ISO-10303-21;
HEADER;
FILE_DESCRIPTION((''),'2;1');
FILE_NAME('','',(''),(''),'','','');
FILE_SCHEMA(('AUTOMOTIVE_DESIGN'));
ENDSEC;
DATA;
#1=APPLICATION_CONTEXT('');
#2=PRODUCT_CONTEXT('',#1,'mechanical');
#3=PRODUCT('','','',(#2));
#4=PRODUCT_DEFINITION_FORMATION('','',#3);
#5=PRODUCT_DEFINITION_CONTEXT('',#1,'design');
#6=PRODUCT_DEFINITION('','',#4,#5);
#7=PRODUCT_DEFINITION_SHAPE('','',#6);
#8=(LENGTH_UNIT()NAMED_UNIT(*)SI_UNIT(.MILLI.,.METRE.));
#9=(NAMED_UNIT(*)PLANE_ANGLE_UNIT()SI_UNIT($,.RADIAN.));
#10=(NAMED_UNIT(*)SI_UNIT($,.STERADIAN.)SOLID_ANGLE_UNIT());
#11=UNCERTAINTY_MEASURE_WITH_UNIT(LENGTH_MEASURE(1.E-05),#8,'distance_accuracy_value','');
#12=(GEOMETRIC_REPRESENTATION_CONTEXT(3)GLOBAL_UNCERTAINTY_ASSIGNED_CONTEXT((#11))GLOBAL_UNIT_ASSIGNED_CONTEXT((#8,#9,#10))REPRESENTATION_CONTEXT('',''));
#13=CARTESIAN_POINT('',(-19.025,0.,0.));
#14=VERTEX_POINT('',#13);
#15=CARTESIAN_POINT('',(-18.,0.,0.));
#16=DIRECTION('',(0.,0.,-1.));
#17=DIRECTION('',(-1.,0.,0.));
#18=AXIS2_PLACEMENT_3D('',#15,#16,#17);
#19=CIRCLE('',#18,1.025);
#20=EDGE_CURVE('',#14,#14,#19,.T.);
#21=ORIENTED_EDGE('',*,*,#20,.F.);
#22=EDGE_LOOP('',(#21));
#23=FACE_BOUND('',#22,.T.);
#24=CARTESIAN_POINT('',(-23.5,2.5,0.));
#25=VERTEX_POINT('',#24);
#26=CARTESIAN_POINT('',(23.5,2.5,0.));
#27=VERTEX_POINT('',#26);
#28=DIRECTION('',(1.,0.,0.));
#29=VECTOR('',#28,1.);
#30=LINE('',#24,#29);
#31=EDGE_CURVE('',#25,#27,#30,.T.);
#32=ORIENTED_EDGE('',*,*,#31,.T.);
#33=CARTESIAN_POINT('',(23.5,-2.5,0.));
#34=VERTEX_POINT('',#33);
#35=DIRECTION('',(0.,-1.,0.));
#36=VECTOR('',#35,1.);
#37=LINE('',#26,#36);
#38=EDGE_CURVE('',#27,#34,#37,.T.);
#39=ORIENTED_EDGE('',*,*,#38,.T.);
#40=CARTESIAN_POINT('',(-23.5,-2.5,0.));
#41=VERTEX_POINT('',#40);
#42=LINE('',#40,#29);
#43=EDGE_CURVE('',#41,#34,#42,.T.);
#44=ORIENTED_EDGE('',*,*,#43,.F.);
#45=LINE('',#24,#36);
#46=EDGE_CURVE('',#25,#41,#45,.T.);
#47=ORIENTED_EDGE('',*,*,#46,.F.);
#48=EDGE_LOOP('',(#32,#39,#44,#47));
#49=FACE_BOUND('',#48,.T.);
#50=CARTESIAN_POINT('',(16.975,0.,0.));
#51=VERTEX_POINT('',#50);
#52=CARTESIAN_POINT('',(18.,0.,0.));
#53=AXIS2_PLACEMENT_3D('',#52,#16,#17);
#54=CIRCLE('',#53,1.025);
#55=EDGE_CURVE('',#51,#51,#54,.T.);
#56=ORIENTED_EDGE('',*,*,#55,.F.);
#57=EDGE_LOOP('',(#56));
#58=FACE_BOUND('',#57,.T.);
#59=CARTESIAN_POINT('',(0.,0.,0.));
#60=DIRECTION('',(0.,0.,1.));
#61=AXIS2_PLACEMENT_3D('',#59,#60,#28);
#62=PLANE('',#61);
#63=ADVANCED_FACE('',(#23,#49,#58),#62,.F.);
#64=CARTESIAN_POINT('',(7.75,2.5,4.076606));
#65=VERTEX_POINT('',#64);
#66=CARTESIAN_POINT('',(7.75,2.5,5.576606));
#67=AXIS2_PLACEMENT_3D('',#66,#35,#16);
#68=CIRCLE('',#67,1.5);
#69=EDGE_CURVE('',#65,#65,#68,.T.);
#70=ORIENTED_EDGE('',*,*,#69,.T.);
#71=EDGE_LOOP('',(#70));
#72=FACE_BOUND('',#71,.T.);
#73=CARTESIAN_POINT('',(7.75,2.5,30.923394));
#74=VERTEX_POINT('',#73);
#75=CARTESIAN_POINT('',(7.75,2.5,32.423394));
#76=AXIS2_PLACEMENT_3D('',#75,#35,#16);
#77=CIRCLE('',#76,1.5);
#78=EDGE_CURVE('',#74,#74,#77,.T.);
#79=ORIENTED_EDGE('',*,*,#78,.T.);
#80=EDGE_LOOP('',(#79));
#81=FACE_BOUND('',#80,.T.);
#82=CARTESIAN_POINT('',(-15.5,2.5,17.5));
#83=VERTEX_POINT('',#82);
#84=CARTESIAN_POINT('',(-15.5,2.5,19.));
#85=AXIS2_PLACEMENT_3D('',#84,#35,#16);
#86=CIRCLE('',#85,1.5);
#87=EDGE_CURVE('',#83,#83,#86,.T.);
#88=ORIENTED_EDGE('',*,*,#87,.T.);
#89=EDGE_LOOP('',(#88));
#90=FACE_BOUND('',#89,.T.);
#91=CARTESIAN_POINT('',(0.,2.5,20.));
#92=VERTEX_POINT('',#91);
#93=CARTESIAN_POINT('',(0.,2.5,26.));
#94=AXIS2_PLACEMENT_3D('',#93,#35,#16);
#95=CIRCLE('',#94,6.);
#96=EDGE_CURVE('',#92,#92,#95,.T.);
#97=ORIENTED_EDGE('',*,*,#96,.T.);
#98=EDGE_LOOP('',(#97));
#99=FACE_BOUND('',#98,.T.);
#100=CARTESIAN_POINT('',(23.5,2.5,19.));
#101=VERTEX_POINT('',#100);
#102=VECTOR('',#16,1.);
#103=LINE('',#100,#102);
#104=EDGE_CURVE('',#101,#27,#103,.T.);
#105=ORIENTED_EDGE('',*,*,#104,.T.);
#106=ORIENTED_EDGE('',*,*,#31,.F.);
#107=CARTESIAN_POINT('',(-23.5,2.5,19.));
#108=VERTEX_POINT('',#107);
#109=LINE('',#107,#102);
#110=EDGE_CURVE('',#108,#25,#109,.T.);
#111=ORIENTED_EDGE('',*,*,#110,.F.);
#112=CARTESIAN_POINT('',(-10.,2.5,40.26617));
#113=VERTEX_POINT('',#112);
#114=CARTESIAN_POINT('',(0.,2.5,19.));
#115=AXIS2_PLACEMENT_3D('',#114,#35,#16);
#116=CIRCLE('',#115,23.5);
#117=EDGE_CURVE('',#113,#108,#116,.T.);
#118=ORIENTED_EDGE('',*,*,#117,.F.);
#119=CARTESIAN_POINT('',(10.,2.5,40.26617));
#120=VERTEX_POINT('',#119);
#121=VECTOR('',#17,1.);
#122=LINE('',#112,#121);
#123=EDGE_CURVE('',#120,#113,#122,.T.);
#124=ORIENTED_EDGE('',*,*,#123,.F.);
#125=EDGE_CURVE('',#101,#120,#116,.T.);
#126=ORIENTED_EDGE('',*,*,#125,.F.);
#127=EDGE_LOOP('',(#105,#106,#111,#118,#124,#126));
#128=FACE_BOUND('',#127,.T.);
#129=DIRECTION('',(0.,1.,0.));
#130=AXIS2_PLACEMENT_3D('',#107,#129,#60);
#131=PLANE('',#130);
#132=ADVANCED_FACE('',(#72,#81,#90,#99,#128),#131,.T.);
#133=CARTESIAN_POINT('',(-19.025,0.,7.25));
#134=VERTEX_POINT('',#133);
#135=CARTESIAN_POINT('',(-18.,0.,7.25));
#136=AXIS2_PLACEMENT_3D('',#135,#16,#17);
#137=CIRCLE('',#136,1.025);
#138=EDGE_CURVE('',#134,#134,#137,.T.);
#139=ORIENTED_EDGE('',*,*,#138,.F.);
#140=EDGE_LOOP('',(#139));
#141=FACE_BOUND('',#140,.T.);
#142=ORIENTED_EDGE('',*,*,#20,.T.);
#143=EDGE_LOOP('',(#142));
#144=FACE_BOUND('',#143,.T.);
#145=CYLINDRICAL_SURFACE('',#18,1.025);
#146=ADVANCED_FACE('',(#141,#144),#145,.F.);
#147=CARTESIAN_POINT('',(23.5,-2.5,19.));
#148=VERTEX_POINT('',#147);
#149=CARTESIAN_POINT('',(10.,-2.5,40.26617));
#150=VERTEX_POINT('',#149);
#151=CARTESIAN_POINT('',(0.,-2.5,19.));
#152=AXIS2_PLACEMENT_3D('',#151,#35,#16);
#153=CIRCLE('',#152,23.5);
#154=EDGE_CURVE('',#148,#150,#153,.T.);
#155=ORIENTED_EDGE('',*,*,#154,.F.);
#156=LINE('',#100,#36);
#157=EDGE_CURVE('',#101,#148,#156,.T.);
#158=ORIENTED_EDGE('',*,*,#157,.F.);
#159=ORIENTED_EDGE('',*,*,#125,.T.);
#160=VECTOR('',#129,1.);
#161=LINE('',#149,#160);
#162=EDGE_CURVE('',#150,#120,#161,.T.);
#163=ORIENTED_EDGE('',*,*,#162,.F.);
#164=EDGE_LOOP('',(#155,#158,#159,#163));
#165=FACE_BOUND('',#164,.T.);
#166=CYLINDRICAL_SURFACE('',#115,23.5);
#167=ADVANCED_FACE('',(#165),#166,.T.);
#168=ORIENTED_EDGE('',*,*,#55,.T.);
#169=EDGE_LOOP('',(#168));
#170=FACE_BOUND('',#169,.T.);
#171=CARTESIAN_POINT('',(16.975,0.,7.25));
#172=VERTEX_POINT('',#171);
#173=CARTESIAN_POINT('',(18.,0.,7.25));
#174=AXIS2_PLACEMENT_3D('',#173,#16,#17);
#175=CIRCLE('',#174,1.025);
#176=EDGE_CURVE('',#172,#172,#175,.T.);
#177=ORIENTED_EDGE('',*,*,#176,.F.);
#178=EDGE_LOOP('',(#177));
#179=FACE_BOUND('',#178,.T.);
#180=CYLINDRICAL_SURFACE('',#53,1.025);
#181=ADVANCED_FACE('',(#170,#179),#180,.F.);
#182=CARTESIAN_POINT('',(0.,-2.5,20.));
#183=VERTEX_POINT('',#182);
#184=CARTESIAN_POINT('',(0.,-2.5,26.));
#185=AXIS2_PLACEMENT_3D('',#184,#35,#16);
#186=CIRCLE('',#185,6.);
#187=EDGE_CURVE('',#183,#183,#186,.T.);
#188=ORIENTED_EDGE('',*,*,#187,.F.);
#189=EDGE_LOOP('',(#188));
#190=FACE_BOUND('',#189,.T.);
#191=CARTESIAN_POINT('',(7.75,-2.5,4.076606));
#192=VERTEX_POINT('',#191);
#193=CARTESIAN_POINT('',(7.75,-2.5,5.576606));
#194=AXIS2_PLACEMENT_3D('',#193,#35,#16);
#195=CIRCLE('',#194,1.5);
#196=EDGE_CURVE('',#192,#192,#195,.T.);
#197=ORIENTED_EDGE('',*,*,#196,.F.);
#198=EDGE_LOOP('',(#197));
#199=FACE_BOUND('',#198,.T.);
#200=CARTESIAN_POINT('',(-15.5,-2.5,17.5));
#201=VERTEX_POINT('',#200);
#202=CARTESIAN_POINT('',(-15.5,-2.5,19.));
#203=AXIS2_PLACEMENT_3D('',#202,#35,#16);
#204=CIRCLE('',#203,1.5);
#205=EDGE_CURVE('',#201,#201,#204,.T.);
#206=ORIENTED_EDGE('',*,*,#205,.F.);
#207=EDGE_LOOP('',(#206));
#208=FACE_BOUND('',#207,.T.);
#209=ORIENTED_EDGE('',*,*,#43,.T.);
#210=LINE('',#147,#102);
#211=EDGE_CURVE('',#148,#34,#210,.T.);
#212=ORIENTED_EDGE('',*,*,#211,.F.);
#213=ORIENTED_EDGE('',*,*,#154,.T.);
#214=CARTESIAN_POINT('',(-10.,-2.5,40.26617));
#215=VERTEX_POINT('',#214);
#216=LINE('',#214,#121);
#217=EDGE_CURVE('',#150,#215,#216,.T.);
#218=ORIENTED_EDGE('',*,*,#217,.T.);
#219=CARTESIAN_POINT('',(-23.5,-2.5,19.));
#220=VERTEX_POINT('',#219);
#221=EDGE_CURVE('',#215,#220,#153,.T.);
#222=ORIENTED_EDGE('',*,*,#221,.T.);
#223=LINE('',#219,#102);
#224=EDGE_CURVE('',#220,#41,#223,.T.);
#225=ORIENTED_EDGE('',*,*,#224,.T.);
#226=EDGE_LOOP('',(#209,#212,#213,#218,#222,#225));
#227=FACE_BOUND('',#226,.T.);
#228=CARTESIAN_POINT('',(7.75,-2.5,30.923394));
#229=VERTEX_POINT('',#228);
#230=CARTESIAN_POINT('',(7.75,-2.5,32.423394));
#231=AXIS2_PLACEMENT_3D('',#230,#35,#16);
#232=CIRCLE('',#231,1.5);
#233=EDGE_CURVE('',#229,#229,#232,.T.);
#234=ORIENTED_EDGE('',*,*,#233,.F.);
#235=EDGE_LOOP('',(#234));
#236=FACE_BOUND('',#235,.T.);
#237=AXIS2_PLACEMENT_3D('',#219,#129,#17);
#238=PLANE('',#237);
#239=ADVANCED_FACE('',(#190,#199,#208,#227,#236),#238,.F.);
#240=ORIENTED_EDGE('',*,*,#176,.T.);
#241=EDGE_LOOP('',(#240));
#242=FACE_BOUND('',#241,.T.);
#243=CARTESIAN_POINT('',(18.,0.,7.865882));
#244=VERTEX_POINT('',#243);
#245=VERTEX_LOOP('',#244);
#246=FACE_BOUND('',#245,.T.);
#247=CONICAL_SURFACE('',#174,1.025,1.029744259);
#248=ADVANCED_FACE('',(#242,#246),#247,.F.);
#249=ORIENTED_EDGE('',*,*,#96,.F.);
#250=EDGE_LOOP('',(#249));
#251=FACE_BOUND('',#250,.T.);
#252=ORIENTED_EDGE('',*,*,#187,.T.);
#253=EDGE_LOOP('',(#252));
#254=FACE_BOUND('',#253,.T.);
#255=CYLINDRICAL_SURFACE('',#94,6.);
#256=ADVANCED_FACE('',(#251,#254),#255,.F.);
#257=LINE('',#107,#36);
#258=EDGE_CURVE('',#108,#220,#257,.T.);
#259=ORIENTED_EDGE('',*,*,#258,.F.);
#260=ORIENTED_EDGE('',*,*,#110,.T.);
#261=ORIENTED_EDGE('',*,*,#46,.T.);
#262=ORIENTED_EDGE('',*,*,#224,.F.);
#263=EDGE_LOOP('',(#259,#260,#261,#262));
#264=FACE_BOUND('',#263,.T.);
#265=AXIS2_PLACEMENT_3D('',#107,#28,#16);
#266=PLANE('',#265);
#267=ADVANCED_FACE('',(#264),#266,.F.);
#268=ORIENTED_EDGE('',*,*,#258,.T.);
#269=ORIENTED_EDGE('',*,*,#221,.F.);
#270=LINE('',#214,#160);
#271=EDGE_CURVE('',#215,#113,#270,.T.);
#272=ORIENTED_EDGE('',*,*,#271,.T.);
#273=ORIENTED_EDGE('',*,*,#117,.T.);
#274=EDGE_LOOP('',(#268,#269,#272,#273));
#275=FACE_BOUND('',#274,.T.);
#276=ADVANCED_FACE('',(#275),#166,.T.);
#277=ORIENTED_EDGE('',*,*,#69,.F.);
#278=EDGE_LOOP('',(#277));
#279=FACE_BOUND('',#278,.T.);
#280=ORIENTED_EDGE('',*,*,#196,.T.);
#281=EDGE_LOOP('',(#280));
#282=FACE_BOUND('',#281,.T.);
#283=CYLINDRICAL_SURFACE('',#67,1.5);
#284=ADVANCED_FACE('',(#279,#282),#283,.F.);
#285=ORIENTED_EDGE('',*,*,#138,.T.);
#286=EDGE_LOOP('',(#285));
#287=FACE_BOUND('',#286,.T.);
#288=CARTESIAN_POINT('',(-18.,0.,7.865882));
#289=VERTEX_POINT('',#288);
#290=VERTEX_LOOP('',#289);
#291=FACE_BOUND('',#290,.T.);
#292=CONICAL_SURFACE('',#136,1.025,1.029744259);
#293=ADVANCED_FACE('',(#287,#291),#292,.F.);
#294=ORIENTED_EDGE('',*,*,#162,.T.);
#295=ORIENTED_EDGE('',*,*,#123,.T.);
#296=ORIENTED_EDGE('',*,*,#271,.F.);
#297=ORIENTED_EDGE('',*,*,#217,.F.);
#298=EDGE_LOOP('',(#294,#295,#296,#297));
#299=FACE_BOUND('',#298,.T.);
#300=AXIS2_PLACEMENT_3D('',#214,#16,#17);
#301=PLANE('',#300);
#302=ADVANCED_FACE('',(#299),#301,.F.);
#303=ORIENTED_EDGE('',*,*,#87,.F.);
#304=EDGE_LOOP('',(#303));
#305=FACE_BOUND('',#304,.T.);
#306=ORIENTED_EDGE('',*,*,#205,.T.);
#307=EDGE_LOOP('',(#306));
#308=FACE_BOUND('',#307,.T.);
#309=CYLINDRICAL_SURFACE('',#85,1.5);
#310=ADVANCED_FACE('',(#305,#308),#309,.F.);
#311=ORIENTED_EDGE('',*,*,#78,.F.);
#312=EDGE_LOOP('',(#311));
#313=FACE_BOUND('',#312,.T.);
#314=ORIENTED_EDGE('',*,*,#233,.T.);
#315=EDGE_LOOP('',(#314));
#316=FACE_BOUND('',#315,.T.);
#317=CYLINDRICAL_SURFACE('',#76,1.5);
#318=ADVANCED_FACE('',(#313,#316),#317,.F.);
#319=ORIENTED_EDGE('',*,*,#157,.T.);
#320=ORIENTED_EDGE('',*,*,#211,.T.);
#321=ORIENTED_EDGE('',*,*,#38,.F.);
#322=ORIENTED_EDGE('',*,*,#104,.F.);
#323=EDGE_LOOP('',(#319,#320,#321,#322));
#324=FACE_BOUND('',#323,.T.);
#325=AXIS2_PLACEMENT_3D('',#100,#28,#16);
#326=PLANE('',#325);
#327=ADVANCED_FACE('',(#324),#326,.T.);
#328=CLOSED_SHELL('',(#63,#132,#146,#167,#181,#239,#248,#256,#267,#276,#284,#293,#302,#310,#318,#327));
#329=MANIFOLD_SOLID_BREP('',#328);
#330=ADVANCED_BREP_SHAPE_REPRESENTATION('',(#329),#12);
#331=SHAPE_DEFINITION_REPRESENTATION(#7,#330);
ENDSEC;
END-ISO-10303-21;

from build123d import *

# Parameters (mm, degrees)
SKETCH_1_W          = 47
SKETCH_1_H          = 5
EXTRUDE_1_DEPTH     = 19
SKETCH_2_R          = 23.5
EXTRUDE_2_DEPTH     = 5
SKETCH_3_R          = 6
SKETCH_3_R_2        = 1.5
CUT_EXTRUDE_1_DEPTH = 5
M2_5X0_45_1_D       = 2.05
M2_5X0_45_1_DEPTH   = 7.25
M2_5X0_45_1_TIP     = 0.615882135
CUT_EXTRUDE_2_DEPTH = 5
CUT_EXTRUDE_3_DEPTH = 5


with BuildPart() as part:
    # ｽｹｯﾁ1 → ﾎﾞｽ - 押し出し1 (new body)
    with BuildSketch(Plane.XY):
        Rectangle(SKETCH_1_W, SKETCH_1_H)
    extrude(amount=EXTRUDE_1_DEPTH)

    # ｽｹｯﾁ2 → ﾎﾞｽ - 押し出し2 (add)
    with BuildSketch(Plane.XZ.offset(2.5)):
        with Locations((0, 19)):
            Circle(SKETCH_2_R)
    extrude(amount=-EXTRUDE_2_DEPTH)

    # ｽｹｯﾁ3 → ｶｯﾄ - 押し出し1 (cut)
    with BuildSketch(Plane.XZ.offset(2.5)):
        with Locations(Location((0, 26, 0), (0, 0, 270))):  # turned: the seam where the file's is
            Circle(SKETCH_3_R)
        with Locations(Location((-15.5, 19, 0), (0, 0, 270))):  # turned: the seam where the file's is
            Circle(SKETCH_3_R_2)
        with Locations(Location((7.75, 5.576606241, 0), (0, 0, 270))):  # turned: the seam where the file's is
            Circle(SKETCH_3_R_2)
        with Locations(Location((7.75, 32.423393759, 0), (0, 0, 270))):  # turned: the seam where the file's is
            Circle(SKETCH_3_R_2)
    extrude(amount=-CUT_EXTRUDE_1_DEPTH, mode=Mode.SUBTRACT)

    # M2.5x0.45 ねじ穴1
    with Locations(Plane(origin=(0, 0, 0), x_dir=(-1, 0, 0), z_dir=(0, 0, -1))):
        with Locations((18, 0), (-18, 0)):
            Hole(M2_5X0_45_1_D / 2, depth=M2_5X0_45_1_DEPTH)
            with Locations((0, 0, -(M2_5X0_45_1_DEPTH + M2_5X0_45_1_TIP / 2))):  # 118° drill point
                Cone(0, M2_5X0_45_1_D / 2, M2_5X0_45_1_TIP, mode=Mode.SUBTRACT)

    # ｽｹｯﾁ8 → ｶｯﾄ - 押し出し2 (cut)
    with BuildSketch(Plane(origin=(0, 2.5, 0), x_dir=(1, 0, 0), z_dir=(0, 1, 0))):
        with BuildLine():
            Line((-13.829316686, 0), (13.829316686, 0))
            ThreePointArc((13.829316686, 0), (0, 4.5), (-13.829316686, 0))
        make_face()
    extrude(amount=-CUT_EXTRUDE_2_DEPTH, mode=Mode.SUBTRACT)

    # ｽｹｯﾁ9 → ｶｯﾄ - 押し出し3 (cut)
    with BuildSketch(Plane(origin=(0, 2.5, 0), x_dir=(1, 0, 0), z_dir=(0, 1, 0))):
        with BuildLine():
            Line((-10, -40.266170318), (10, -40.266170318))
            ThreePointArc((10, -40.266170318), (0, -42.5), (-10, -40.266170318))
        make_face()
    extrude(amount=-CUT_EXTRUDE_3_DEPTH, mode=Mode.SUBTRACT)


solid = part.part
